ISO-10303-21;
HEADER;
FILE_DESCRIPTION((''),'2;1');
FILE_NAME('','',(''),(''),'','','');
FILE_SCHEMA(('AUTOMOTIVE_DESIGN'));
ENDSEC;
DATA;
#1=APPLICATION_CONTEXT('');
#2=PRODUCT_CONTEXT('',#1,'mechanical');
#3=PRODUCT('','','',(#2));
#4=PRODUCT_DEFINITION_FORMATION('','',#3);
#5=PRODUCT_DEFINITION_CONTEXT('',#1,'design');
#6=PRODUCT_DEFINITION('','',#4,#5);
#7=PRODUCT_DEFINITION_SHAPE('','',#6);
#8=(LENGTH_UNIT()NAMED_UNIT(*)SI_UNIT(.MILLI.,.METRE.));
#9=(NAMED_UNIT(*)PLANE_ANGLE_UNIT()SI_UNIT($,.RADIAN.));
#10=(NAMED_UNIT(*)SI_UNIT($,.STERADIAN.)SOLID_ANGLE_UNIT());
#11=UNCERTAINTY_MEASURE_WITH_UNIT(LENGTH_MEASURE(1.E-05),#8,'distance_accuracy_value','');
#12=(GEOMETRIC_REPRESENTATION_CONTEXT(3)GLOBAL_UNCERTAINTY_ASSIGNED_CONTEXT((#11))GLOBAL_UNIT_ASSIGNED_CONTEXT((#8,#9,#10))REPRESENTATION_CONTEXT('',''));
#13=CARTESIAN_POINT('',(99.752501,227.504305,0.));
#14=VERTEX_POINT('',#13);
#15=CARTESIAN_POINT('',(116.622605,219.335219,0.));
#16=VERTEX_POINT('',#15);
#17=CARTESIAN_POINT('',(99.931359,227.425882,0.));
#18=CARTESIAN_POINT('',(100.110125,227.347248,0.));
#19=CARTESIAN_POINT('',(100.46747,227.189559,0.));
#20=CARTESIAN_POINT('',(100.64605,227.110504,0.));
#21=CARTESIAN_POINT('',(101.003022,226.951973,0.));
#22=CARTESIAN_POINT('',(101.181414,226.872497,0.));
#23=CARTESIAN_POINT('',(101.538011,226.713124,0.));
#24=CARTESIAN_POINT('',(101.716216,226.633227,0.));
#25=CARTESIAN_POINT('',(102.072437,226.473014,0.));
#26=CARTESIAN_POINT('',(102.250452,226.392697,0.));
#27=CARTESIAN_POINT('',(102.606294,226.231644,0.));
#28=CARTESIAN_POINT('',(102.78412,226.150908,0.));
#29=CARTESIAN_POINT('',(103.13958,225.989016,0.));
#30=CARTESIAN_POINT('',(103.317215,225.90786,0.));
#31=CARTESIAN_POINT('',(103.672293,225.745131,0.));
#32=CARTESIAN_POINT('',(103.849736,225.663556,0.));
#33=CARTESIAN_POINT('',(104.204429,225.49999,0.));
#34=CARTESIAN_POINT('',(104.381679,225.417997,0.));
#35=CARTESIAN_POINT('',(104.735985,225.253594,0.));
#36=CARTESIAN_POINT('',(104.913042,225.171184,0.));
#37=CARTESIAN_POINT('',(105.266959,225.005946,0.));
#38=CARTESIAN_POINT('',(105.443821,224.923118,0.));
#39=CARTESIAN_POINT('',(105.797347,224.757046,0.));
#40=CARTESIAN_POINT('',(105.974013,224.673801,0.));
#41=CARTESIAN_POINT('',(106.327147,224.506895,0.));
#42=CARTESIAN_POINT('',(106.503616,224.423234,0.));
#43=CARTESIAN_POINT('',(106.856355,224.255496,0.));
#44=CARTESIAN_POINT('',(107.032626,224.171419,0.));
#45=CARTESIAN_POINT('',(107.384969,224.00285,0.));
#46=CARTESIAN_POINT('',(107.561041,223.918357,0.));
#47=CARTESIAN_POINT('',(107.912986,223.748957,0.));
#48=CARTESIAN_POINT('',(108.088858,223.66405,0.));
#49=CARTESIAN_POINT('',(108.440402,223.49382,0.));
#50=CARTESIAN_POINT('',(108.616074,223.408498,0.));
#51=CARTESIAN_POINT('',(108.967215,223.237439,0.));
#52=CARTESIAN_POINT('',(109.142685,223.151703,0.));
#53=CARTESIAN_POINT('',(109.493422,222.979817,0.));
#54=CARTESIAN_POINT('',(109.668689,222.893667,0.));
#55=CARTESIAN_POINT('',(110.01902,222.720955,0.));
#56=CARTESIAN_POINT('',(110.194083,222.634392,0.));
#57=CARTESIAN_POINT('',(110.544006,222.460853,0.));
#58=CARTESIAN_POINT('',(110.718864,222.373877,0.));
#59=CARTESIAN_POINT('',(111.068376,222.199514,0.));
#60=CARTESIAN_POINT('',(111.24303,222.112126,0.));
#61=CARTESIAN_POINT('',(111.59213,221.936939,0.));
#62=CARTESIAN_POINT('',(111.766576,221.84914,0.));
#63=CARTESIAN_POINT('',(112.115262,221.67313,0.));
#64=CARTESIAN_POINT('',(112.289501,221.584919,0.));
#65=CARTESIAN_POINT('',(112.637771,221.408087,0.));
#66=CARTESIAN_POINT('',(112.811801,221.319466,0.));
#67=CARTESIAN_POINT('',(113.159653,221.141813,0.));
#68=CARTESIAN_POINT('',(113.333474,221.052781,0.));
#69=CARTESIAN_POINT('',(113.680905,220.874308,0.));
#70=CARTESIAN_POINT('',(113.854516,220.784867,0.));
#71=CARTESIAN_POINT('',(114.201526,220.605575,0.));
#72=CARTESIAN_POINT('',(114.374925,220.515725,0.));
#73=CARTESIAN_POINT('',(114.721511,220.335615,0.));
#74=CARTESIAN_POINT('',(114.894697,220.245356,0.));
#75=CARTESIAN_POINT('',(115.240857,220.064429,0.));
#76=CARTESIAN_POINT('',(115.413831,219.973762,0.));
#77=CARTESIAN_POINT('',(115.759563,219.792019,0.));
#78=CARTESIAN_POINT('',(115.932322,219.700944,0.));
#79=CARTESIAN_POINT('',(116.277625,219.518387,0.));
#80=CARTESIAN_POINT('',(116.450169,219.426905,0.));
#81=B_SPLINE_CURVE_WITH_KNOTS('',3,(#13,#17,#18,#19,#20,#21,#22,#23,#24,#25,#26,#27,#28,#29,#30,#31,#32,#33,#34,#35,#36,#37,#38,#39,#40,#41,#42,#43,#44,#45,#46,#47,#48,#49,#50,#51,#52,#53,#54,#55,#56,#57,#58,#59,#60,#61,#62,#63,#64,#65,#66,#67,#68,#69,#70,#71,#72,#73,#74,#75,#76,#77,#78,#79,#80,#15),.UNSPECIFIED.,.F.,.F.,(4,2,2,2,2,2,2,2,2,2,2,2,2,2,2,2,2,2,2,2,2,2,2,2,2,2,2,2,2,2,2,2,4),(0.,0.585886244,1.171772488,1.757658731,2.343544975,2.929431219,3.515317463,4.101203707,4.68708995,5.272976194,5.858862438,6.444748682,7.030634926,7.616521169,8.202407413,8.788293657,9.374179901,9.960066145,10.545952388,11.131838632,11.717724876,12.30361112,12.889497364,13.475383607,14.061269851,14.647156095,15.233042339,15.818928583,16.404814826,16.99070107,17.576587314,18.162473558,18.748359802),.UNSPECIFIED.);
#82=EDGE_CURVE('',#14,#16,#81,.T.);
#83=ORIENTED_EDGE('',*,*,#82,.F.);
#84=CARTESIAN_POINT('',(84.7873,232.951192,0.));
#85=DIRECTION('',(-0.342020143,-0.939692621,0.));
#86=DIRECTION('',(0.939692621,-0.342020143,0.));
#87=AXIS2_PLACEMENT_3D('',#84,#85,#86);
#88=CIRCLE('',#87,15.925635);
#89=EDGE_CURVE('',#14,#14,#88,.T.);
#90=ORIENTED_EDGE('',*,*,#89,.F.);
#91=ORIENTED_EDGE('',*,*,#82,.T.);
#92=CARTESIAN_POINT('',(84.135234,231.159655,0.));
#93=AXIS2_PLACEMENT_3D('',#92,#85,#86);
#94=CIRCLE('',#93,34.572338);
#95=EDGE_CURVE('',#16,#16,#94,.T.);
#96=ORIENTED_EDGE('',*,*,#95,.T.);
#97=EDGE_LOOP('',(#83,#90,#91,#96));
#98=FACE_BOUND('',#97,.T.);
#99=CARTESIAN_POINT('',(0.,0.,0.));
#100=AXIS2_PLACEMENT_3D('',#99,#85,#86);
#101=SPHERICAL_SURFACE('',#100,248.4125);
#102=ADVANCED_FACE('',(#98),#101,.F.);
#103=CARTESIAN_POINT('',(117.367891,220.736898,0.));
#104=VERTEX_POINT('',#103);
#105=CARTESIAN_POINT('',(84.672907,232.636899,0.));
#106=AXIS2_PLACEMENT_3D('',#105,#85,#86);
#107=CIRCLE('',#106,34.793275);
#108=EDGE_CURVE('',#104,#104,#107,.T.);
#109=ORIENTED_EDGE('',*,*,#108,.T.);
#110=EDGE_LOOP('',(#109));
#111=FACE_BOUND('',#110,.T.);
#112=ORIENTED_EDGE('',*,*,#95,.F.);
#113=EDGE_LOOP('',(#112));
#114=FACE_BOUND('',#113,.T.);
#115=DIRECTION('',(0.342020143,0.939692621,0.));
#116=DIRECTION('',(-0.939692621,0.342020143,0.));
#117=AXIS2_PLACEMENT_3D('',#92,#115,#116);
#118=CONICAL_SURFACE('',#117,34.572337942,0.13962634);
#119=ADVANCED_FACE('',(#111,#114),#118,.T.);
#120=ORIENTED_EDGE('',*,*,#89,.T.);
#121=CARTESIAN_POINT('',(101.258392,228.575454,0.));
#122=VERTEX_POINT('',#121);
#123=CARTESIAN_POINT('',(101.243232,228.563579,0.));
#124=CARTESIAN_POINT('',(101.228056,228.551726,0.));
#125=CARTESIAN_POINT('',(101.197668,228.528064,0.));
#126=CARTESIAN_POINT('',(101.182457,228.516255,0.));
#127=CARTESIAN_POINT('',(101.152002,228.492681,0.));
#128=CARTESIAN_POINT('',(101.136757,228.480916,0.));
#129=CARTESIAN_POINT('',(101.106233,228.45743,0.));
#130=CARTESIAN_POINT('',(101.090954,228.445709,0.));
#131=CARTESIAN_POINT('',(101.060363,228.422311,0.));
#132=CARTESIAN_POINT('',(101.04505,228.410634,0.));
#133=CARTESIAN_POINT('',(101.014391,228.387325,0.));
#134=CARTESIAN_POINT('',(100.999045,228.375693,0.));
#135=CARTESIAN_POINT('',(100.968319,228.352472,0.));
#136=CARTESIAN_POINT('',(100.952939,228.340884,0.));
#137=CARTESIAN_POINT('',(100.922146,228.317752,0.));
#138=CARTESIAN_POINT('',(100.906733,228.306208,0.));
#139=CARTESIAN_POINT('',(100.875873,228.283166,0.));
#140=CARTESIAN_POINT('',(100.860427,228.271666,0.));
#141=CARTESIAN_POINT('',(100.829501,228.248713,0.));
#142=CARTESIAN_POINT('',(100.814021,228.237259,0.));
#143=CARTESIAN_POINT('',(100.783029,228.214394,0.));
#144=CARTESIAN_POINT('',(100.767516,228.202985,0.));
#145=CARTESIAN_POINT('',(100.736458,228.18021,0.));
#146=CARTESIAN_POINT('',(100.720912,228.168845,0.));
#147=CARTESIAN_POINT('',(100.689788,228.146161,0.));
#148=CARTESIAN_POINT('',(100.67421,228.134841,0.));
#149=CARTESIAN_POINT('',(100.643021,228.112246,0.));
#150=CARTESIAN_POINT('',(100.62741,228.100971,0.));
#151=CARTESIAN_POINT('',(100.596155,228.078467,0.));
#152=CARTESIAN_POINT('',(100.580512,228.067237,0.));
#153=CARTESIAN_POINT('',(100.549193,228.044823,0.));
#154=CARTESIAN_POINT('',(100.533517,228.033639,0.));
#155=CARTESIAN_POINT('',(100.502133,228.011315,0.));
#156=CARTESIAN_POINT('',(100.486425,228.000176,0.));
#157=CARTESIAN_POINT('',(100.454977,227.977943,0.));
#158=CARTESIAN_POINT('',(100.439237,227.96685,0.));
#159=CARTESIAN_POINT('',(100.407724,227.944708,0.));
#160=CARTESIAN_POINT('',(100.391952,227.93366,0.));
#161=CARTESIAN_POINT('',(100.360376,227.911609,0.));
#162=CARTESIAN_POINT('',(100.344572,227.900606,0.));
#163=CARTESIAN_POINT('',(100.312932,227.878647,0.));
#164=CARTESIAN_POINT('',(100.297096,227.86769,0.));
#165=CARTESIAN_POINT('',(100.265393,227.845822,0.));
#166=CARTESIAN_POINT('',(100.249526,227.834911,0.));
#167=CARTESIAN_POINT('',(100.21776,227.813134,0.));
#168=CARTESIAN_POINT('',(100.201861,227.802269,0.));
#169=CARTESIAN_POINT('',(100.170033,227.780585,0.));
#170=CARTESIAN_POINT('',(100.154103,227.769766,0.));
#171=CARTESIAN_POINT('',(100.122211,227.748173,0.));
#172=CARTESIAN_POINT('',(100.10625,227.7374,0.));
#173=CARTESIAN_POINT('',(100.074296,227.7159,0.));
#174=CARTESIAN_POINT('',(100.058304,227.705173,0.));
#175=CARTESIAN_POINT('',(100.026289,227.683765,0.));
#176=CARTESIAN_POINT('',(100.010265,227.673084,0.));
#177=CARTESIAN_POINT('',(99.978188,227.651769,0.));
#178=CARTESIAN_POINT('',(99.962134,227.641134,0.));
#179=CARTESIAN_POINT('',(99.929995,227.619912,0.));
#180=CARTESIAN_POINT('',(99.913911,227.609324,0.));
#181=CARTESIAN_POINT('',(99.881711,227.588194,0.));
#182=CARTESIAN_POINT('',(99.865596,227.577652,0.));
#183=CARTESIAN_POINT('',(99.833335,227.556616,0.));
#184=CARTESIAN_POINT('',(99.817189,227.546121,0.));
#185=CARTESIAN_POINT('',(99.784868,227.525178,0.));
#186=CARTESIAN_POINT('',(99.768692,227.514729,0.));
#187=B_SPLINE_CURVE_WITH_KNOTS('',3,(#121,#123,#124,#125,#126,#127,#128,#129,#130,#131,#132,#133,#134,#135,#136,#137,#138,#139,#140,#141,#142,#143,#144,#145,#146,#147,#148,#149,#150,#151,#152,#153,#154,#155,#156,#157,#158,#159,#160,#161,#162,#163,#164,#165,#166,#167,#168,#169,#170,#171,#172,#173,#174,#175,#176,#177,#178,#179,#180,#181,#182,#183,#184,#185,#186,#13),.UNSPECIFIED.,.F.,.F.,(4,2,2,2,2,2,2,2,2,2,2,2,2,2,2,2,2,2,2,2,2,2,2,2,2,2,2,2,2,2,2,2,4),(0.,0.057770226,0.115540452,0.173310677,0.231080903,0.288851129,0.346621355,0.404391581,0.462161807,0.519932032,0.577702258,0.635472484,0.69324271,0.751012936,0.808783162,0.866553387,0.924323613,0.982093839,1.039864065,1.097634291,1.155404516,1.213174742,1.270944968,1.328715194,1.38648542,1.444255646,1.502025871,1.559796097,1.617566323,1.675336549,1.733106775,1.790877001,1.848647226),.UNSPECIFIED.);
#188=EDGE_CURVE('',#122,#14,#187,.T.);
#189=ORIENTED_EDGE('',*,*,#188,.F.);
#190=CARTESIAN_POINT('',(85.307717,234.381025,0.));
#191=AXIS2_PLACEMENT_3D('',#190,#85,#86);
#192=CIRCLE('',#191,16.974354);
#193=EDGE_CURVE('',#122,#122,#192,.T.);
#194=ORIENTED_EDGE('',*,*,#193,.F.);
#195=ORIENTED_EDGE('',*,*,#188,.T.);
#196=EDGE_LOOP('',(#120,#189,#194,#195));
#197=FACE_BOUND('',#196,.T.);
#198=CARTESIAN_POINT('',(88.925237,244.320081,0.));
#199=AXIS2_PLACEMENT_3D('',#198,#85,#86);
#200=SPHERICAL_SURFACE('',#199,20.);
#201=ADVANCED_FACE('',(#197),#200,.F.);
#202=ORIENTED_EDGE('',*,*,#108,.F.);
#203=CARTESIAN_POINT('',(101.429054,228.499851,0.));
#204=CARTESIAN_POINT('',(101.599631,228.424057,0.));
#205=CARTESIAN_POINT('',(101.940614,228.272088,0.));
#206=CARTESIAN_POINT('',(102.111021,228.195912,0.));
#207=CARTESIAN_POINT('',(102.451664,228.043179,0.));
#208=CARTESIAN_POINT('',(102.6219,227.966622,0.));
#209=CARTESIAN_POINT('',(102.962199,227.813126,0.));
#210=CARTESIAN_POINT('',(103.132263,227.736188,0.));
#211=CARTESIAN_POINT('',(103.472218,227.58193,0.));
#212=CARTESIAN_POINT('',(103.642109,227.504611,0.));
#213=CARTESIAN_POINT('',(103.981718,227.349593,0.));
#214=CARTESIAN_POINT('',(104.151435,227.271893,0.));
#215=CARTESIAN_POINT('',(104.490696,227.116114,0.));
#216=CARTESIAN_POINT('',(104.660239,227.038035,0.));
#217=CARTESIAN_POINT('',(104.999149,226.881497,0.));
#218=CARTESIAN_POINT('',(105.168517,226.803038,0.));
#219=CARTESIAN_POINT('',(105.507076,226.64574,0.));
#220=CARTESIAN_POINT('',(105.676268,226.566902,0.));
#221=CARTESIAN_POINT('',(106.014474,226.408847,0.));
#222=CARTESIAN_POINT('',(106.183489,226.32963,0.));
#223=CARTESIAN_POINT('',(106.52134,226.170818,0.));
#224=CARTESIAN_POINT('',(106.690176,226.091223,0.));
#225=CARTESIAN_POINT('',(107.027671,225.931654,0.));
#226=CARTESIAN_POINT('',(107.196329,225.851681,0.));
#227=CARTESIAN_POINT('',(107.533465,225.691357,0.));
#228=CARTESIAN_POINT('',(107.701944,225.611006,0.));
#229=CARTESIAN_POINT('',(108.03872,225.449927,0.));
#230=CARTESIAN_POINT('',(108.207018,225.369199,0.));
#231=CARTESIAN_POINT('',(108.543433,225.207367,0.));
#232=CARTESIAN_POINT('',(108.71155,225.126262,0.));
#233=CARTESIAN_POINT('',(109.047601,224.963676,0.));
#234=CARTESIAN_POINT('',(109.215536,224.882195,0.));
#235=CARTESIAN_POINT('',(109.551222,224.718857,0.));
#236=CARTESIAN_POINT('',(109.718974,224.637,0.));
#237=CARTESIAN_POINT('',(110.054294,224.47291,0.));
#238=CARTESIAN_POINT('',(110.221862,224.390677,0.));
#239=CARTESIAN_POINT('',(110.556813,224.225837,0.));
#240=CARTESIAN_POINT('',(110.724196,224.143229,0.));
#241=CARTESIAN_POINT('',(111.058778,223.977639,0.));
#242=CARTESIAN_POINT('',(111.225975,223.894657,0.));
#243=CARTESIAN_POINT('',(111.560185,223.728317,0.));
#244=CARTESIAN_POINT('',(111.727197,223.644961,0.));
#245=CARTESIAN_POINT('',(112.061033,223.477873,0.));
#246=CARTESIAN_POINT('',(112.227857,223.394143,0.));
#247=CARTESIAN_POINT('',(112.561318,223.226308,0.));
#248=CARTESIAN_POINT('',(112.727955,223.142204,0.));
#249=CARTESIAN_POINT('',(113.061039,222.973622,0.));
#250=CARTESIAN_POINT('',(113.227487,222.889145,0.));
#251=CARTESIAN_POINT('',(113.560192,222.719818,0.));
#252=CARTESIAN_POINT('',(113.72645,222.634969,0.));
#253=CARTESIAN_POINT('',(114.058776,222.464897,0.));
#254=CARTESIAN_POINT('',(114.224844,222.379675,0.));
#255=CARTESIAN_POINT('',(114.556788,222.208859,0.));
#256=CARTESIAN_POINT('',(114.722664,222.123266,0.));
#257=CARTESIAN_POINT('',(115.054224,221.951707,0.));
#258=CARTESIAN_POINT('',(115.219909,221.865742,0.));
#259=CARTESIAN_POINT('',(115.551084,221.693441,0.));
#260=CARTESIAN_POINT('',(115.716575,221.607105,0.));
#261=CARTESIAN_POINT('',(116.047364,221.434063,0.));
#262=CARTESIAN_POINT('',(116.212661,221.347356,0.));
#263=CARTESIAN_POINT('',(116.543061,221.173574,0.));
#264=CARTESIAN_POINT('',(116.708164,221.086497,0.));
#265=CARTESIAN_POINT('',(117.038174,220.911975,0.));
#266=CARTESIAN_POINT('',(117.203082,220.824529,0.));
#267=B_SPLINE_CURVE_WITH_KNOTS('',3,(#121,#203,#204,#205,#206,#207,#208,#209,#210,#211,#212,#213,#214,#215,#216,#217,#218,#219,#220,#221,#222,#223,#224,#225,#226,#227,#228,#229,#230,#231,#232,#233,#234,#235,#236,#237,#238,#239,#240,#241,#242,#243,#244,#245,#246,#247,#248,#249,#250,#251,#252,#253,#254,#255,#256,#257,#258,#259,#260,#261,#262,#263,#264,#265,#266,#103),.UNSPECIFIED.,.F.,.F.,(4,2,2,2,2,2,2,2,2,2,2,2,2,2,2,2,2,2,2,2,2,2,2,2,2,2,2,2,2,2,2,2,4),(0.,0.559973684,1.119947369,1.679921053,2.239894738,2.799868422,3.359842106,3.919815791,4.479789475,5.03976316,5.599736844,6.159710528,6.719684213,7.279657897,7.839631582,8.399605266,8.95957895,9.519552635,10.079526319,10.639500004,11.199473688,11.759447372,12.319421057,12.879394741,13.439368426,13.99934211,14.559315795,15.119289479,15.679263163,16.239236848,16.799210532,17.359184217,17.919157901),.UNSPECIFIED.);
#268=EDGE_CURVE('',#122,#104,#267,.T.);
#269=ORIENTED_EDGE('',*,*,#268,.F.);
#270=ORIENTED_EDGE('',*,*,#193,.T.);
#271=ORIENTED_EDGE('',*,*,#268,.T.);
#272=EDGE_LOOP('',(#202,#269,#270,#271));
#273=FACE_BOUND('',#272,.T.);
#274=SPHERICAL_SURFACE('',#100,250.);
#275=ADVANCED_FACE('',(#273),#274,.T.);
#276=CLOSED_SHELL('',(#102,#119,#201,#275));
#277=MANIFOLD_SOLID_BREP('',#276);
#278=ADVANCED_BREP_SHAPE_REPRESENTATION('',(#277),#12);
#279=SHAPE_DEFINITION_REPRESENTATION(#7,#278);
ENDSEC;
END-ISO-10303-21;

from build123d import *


with BuildPart() as part:
    # sketch1 → Revolve2 (revolve)
    with BuildSketch(Plane.XY):
        with BuildLine():
            Line((116.622604591, 219.335218911), (117.367890696, 220.736898215))
            ThreePointArc((117.367890696, 220.736898215), (109.383378958, 224.800525817), (101.258391839, 228.575453805))
            ThreePointArc((101.258391839, 228.575453805), (100.517824968, 228.022476969), (99.752501468, 227.50430459))
            ThreePointArc((99.752501468, 227.50430459), (108.264630054, 223.578934686), (116.622604591, 219.335218911))
        make_face()
    revolve(axis=Axis((0, 0, 0), (0.34202014332567315, 0.9396926207859068, 0)))


solid = part.part
